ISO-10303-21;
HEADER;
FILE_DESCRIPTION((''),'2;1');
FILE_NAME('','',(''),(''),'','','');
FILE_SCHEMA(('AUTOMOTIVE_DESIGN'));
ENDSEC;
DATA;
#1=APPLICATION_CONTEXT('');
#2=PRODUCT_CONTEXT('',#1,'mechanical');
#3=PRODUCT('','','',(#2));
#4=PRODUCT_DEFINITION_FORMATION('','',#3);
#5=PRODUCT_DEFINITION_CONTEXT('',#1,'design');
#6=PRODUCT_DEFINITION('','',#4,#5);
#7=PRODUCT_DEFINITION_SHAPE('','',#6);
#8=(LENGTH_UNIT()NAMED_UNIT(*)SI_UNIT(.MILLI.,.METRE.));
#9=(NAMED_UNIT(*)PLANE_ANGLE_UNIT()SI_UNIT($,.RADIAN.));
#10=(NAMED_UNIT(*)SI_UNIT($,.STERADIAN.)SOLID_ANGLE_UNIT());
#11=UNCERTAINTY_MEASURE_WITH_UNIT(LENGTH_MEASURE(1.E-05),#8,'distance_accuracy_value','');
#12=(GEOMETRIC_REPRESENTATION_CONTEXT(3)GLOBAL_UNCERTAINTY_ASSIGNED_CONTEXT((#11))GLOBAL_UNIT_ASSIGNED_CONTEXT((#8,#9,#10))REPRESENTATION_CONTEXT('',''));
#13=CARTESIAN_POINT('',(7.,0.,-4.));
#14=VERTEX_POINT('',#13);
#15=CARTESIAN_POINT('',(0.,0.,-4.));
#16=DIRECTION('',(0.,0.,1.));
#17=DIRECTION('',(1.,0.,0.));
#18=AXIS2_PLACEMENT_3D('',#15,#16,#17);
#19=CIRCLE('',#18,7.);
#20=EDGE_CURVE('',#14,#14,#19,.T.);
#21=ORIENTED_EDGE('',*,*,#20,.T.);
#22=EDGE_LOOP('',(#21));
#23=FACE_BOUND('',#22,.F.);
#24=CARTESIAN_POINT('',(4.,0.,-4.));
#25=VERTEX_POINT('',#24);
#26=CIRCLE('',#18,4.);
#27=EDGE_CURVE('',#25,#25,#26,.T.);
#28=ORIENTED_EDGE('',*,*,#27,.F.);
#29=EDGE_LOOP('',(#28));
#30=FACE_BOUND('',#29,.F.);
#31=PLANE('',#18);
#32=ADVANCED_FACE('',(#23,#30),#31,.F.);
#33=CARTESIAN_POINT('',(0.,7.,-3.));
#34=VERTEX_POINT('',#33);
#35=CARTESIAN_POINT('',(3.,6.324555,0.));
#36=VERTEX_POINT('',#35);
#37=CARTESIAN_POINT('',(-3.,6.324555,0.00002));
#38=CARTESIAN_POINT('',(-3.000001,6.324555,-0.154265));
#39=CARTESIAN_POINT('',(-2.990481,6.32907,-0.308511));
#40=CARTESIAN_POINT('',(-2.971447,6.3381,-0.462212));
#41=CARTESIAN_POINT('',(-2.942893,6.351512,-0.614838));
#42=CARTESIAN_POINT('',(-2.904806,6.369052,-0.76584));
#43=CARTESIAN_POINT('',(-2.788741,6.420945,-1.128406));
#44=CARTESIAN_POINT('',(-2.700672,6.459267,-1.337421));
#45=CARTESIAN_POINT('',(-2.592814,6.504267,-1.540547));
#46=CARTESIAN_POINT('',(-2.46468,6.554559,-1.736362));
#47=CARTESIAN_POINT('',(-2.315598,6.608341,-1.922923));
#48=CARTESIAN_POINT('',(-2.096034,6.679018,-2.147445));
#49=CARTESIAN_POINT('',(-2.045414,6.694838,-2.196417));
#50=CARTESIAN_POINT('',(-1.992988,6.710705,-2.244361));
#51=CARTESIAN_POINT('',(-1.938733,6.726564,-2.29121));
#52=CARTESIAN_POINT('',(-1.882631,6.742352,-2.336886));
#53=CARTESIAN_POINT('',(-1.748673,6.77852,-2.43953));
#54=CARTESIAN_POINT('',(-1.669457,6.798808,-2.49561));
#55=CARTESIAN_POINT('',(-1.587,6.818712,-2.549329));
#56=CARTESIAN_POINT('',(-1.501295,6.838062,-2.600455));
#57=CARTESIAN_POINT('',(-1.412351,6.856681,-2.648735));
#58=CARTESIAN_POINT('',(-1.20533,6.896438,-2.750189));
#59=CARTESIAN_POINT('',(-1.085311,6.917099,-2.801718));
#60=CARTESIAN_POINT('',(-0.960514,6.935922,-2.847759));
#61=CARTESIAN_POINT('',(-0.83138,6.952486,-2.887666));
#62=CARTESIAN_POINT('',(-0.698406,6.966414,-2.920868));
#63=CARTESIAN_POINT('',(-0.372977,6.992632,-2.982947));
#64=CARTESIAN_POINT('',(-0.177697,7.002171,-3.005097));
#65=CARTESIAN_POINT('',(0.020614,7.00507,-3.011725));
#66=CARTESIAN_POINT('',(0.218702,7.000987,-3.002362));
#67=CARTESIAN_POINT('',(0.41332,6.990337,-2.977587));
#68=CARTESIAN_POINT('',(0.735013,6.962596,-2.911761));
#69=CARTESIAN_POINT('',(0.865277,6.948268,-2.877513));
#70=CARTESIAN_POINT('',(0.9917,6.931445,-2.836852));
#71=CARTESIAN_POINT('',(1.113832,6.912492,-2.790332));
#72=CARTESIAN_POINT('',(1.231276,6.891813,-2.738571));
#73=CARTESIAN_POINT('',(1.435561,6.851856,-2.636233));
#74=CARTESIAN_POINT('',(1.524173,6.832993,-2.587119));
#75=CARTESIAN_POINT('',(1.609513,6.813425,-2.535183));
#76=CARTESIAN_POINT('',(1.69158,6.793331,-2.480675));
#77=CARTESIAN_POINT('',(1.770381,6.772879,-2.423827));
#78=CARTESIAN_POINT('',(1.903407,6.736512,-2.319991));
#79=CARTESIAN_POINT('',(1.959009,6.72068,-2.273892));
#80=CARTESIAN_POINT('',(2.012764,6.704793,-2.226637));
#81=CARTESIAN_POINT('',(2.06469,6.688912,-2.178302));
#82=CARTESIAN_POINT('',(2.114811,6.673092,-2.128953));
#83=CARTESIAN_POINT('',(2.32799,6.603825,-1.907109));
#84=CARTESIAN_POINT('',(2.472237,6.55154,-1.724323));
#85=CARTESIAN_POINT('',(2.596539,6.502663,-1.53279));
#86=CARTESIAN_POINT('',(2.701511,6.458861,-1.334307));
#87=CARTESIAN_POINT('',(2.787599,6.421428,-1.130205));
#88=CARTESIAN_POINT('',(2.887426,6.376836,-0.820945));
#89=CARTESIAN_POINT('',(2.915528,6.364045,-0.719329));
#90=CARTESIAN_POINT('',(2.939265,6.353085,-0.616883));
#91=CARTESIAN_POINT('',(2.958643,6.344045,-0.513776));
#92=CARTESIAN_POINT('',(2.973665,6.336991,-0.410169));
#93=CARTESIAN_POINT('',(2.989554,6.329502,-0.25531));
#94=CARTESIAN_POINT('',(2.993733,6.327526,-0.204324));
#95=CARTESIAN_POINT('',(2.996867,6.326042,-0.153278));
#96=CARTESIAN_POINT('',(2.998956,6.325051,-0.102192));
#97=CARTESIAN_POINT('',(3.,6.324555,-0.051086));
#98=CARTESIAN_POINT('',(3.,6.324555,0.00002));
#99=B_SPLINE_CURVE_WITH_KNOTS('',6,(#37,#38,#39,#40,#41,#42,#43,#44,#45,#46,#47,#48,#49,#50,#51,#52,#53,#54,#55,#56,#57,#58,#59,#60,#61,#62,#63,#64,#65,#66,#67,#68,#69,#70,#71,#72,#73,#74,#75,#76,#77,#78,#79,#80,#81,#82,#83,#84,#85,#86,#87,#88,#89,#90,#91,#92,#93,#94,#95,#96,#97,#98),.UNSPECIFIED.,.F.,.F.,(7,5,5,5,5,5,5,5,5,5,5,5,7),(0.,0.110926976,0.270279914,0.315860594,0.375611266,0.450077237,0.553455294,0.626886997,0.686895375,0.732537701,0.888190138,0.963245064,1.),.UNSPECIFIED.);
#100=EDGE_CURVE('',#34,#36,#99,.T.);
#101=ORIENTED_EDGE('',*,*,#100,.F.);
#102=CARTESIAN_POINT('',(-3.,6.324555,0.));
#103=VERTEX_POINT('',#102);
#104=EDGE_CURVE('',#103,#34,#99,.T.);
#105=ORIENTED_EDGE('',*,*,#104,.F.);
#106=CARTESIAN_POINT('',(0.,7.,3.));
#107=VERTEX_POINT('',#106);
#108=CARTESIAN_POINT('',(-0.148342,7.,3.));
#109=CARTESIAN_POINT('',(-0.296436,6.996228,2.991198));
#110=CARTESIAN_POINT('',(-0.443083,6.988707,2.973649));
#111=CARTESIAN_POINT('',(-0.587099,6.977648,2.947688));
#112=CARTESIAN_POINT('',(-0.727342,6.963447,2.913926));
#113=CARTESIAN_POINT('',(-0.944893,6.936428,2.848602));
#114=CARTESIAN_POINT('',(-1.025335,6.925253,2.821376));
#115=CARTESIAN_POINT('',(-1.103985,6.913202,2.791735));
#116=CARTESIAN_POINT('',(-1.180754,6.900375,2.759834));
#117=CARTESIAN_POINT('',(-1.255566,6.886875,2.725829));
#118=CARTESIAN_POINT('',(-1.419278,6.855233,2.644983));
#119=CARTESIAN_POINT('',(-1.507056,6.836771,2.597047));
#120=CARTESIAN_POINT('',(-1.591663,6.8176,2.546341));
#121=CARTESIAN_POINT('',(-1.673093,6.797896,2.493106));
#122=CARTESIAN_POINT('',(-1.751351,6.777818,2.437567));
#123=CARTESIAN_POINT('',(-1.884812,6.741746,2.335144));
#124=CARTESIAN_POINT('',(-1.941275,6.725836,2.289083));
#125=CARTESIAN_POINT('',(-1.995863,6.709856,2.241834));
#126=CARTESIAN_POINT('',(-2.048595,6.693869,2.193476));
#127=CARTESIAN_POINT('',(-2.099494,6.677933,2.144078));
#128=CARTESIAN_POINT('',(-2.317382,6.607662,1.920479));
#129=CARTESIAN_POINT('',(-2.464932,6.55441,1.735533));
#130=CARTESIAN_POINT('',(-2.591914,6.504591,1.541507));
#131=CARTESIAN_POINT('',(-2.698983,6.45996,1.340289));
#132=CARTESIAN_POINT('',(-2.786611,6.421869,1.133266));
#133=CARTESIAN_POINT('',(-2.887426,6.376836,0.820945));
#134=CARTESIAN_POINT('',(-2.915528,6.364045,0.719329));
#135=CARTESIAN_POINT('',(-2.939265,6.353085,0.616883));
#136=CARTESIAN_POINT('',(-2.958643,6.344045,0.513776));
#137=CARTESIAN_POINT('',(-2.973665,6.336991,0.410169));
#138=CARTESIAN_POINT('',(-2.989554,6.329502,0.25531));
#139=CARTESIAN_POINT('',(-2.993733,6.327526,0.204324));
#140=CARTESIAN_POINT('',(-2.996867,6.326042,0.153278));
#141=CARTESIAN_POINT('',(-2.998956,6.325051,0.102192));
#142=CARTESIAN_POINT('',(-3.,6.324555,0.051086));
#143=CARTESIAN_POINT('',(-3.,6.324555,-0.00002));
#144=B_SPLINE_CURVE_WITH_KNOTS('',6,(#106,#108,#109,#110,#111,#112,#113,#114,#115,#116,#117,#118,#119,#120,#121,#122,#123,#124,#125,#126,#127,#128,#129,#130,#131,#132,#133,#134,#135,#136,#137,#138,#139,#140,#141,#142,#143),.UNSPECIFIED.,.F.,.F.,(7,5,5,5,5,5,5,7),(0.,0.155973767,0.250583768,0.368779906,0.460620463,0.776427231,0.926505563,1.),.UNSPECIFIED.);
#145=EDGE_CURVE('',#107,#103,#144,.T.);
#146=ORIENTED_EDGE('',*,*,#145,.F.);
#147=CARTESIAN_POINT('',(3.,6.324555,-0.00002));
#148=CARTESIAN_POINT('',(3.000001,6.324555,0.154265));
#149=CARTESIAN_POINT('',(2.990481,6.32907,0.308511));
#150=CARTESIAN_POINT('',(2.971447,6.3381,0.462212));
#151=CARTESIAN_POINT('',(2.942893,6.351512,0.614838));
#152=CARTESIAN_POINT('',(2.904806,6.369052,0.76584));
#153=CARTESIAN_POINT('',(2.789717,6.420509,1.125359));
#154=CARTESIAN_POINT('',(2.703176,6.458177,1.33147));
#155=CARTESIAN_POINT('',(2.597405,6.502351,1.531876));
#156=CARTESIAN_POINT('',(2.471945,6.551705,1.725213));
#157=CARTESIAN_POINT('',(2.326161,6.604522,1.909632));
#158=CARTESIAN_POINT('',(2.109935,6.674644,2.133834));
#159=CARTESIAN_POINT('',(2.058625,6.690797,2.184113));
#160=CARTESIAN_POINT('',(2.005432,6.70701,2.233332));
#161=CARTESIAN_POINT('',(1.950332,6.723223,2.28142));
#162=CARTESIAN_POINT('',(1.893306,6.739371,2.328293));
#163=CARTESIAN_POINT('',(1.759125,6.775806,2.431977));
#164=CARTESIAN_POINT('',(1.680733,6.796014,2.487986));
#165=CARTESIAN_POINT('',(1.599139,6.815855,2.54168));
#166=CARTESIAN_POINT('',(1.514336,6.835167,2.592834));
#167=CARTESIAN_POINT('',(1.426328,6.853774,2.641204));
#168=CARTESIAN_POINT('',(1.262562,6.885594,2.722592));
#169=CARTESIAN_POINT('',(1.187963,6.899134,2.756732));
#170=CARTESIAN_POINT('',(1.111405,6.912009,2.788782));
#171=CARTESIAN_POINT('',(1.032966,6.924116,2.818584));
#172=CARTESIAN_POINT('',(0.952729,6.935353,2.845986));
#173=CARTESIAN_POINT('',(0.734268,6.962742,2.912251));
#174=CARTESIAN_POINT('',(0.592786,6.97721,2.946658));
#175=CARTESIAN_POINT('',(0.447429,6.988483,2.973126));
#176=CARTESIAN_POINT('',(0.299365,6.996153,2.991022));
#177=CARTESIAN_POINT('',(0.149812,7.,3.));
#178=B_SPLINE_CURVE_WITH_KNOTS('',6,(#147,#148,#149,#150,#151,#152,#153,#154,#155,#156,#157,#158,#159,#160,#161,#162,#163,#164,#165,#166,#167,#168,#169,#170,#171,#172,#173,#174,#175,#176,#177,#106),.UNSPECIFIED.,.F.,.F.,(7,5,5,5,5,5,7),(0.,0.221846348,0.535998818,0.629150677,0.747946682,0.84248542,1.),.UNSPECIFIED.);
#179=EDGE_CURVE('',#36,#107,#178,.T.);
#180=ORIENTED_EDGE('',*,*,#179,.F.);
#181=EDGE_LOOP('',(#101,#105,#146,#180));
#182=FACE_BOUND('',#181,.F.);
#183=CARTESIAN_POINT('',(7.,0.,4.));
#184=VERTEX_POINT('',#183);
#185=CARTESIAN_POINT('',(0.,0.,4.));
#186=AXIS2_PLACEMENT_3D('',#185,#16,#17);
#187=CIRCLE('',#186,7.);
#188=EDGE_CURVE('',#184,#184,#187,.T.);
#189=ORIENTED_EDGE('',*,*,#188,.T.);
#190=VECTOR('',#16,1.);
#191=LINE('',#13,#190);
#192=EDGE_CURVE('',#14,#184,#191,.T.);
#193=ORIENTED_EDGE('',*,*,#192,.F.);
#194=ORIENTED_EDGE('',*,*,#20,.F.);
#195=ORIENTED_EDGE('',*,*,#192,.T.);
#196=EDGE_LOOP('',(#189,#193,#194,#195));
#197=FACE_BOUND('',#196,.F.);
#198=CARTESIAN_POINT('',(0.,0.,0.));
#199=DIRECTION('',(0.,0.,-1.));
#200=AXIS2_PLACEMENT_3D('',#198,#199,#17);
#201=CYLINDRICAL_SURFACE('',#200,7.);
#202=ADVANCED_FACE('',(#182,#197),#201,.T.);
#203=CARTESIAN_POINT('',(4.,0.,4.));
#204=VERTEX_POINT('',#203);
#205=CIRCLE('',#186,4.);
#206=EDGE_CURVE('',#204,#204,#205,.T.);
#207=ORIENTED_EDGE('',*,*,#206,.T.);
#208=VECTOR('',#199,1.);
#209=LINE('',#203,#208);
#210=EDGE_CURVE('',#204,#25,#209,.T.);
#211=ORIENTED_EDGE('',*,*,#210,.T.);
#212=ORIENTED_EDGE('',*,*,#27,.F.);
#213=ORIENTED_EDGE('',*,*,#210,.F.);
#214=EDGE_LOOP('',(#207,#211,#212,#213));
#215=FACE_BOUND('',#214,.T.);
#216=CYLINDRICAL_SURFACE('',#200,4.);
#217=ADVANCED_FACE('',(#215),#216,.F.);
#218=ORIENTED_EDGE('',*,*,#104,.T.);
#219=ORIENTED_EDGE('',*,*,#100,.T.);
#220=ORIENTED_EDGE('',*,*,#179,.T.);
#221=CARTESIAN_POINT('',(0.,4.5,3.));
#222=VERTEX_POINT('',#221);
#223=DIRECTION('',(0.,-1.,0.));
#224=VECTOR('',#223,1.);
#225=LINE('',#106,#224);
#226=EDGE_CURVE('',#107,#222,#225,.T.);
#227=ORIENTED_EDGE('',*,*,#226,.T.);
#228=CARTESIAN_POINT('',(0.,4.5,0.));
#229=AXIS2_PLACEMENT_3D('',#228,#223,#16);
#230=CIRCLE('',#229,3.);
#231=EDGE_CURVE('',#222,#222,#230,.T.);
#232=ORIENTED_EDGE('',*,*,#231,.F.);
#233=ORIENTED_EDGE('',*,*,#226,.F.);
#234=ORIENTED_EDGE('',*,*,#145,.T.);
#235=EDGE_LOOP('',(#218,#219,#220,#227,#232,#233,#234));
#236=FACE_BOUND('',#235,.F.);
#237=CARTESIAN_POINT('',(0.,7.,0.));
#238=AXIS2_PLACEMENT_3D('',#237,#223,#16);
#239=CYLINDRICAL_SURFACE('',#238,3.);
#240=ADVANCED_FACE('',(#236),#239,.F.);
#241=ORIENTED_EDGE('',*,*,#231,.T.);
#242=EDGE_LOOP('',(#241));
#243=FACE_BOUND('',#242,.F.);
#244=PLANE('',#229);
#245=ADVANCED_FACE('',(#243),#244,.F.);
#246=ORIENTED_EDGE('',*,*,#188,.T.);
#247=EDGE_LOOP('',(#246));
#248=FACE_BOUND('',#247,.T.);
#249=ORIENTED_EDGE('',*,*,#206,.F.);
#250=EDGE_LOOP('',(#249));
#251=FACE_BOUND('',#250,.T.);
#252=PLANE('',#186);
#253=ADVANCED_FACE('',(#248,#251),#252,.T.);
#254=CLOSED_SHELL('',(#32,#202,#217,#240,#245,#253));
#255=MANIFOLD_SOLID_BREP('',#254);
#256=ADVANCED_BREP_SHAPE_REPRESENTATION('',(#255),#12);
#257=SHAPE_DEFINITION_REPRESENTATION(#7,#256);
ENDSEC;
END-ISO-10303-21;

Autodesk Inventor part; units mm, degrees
ref_plane "YZ Plane" through (0, 0, 0) normal (1, 0, 0) x (0, 1, 0)
ref_plane "XY Plane" through (0, 0, 0) normal (0, 0, 1) x (1, 0, 0)
sketch "Sketch1" plane through (0, 0, 0) normal (0, 0, 1) x (1, 0, 0)
  circle A0 centre (0, 0) radius 7
  circle A1 centre (0, 0) radius 4
  dimension "d0" = 14
  dimension "d1" = 8
extrude "Extrusion1" add sketch "Sketch1" along normal mid plane 8
ref_plane "Work Plane1" through (0, 7, 0) normal (0, 1, 0) x (-1, 0, 0)
sketch "Sketch2" plane through (0, 7, 0) normal (0, 1, 0) x (-1, 0, 0)
  point P0 (0, 0)
  point P1 (0, 0)
hole "Hole1" at (0, 7, 0) direction (0, -1, 0) diameter 6 depth 2.5
properties part number "13 ms"
